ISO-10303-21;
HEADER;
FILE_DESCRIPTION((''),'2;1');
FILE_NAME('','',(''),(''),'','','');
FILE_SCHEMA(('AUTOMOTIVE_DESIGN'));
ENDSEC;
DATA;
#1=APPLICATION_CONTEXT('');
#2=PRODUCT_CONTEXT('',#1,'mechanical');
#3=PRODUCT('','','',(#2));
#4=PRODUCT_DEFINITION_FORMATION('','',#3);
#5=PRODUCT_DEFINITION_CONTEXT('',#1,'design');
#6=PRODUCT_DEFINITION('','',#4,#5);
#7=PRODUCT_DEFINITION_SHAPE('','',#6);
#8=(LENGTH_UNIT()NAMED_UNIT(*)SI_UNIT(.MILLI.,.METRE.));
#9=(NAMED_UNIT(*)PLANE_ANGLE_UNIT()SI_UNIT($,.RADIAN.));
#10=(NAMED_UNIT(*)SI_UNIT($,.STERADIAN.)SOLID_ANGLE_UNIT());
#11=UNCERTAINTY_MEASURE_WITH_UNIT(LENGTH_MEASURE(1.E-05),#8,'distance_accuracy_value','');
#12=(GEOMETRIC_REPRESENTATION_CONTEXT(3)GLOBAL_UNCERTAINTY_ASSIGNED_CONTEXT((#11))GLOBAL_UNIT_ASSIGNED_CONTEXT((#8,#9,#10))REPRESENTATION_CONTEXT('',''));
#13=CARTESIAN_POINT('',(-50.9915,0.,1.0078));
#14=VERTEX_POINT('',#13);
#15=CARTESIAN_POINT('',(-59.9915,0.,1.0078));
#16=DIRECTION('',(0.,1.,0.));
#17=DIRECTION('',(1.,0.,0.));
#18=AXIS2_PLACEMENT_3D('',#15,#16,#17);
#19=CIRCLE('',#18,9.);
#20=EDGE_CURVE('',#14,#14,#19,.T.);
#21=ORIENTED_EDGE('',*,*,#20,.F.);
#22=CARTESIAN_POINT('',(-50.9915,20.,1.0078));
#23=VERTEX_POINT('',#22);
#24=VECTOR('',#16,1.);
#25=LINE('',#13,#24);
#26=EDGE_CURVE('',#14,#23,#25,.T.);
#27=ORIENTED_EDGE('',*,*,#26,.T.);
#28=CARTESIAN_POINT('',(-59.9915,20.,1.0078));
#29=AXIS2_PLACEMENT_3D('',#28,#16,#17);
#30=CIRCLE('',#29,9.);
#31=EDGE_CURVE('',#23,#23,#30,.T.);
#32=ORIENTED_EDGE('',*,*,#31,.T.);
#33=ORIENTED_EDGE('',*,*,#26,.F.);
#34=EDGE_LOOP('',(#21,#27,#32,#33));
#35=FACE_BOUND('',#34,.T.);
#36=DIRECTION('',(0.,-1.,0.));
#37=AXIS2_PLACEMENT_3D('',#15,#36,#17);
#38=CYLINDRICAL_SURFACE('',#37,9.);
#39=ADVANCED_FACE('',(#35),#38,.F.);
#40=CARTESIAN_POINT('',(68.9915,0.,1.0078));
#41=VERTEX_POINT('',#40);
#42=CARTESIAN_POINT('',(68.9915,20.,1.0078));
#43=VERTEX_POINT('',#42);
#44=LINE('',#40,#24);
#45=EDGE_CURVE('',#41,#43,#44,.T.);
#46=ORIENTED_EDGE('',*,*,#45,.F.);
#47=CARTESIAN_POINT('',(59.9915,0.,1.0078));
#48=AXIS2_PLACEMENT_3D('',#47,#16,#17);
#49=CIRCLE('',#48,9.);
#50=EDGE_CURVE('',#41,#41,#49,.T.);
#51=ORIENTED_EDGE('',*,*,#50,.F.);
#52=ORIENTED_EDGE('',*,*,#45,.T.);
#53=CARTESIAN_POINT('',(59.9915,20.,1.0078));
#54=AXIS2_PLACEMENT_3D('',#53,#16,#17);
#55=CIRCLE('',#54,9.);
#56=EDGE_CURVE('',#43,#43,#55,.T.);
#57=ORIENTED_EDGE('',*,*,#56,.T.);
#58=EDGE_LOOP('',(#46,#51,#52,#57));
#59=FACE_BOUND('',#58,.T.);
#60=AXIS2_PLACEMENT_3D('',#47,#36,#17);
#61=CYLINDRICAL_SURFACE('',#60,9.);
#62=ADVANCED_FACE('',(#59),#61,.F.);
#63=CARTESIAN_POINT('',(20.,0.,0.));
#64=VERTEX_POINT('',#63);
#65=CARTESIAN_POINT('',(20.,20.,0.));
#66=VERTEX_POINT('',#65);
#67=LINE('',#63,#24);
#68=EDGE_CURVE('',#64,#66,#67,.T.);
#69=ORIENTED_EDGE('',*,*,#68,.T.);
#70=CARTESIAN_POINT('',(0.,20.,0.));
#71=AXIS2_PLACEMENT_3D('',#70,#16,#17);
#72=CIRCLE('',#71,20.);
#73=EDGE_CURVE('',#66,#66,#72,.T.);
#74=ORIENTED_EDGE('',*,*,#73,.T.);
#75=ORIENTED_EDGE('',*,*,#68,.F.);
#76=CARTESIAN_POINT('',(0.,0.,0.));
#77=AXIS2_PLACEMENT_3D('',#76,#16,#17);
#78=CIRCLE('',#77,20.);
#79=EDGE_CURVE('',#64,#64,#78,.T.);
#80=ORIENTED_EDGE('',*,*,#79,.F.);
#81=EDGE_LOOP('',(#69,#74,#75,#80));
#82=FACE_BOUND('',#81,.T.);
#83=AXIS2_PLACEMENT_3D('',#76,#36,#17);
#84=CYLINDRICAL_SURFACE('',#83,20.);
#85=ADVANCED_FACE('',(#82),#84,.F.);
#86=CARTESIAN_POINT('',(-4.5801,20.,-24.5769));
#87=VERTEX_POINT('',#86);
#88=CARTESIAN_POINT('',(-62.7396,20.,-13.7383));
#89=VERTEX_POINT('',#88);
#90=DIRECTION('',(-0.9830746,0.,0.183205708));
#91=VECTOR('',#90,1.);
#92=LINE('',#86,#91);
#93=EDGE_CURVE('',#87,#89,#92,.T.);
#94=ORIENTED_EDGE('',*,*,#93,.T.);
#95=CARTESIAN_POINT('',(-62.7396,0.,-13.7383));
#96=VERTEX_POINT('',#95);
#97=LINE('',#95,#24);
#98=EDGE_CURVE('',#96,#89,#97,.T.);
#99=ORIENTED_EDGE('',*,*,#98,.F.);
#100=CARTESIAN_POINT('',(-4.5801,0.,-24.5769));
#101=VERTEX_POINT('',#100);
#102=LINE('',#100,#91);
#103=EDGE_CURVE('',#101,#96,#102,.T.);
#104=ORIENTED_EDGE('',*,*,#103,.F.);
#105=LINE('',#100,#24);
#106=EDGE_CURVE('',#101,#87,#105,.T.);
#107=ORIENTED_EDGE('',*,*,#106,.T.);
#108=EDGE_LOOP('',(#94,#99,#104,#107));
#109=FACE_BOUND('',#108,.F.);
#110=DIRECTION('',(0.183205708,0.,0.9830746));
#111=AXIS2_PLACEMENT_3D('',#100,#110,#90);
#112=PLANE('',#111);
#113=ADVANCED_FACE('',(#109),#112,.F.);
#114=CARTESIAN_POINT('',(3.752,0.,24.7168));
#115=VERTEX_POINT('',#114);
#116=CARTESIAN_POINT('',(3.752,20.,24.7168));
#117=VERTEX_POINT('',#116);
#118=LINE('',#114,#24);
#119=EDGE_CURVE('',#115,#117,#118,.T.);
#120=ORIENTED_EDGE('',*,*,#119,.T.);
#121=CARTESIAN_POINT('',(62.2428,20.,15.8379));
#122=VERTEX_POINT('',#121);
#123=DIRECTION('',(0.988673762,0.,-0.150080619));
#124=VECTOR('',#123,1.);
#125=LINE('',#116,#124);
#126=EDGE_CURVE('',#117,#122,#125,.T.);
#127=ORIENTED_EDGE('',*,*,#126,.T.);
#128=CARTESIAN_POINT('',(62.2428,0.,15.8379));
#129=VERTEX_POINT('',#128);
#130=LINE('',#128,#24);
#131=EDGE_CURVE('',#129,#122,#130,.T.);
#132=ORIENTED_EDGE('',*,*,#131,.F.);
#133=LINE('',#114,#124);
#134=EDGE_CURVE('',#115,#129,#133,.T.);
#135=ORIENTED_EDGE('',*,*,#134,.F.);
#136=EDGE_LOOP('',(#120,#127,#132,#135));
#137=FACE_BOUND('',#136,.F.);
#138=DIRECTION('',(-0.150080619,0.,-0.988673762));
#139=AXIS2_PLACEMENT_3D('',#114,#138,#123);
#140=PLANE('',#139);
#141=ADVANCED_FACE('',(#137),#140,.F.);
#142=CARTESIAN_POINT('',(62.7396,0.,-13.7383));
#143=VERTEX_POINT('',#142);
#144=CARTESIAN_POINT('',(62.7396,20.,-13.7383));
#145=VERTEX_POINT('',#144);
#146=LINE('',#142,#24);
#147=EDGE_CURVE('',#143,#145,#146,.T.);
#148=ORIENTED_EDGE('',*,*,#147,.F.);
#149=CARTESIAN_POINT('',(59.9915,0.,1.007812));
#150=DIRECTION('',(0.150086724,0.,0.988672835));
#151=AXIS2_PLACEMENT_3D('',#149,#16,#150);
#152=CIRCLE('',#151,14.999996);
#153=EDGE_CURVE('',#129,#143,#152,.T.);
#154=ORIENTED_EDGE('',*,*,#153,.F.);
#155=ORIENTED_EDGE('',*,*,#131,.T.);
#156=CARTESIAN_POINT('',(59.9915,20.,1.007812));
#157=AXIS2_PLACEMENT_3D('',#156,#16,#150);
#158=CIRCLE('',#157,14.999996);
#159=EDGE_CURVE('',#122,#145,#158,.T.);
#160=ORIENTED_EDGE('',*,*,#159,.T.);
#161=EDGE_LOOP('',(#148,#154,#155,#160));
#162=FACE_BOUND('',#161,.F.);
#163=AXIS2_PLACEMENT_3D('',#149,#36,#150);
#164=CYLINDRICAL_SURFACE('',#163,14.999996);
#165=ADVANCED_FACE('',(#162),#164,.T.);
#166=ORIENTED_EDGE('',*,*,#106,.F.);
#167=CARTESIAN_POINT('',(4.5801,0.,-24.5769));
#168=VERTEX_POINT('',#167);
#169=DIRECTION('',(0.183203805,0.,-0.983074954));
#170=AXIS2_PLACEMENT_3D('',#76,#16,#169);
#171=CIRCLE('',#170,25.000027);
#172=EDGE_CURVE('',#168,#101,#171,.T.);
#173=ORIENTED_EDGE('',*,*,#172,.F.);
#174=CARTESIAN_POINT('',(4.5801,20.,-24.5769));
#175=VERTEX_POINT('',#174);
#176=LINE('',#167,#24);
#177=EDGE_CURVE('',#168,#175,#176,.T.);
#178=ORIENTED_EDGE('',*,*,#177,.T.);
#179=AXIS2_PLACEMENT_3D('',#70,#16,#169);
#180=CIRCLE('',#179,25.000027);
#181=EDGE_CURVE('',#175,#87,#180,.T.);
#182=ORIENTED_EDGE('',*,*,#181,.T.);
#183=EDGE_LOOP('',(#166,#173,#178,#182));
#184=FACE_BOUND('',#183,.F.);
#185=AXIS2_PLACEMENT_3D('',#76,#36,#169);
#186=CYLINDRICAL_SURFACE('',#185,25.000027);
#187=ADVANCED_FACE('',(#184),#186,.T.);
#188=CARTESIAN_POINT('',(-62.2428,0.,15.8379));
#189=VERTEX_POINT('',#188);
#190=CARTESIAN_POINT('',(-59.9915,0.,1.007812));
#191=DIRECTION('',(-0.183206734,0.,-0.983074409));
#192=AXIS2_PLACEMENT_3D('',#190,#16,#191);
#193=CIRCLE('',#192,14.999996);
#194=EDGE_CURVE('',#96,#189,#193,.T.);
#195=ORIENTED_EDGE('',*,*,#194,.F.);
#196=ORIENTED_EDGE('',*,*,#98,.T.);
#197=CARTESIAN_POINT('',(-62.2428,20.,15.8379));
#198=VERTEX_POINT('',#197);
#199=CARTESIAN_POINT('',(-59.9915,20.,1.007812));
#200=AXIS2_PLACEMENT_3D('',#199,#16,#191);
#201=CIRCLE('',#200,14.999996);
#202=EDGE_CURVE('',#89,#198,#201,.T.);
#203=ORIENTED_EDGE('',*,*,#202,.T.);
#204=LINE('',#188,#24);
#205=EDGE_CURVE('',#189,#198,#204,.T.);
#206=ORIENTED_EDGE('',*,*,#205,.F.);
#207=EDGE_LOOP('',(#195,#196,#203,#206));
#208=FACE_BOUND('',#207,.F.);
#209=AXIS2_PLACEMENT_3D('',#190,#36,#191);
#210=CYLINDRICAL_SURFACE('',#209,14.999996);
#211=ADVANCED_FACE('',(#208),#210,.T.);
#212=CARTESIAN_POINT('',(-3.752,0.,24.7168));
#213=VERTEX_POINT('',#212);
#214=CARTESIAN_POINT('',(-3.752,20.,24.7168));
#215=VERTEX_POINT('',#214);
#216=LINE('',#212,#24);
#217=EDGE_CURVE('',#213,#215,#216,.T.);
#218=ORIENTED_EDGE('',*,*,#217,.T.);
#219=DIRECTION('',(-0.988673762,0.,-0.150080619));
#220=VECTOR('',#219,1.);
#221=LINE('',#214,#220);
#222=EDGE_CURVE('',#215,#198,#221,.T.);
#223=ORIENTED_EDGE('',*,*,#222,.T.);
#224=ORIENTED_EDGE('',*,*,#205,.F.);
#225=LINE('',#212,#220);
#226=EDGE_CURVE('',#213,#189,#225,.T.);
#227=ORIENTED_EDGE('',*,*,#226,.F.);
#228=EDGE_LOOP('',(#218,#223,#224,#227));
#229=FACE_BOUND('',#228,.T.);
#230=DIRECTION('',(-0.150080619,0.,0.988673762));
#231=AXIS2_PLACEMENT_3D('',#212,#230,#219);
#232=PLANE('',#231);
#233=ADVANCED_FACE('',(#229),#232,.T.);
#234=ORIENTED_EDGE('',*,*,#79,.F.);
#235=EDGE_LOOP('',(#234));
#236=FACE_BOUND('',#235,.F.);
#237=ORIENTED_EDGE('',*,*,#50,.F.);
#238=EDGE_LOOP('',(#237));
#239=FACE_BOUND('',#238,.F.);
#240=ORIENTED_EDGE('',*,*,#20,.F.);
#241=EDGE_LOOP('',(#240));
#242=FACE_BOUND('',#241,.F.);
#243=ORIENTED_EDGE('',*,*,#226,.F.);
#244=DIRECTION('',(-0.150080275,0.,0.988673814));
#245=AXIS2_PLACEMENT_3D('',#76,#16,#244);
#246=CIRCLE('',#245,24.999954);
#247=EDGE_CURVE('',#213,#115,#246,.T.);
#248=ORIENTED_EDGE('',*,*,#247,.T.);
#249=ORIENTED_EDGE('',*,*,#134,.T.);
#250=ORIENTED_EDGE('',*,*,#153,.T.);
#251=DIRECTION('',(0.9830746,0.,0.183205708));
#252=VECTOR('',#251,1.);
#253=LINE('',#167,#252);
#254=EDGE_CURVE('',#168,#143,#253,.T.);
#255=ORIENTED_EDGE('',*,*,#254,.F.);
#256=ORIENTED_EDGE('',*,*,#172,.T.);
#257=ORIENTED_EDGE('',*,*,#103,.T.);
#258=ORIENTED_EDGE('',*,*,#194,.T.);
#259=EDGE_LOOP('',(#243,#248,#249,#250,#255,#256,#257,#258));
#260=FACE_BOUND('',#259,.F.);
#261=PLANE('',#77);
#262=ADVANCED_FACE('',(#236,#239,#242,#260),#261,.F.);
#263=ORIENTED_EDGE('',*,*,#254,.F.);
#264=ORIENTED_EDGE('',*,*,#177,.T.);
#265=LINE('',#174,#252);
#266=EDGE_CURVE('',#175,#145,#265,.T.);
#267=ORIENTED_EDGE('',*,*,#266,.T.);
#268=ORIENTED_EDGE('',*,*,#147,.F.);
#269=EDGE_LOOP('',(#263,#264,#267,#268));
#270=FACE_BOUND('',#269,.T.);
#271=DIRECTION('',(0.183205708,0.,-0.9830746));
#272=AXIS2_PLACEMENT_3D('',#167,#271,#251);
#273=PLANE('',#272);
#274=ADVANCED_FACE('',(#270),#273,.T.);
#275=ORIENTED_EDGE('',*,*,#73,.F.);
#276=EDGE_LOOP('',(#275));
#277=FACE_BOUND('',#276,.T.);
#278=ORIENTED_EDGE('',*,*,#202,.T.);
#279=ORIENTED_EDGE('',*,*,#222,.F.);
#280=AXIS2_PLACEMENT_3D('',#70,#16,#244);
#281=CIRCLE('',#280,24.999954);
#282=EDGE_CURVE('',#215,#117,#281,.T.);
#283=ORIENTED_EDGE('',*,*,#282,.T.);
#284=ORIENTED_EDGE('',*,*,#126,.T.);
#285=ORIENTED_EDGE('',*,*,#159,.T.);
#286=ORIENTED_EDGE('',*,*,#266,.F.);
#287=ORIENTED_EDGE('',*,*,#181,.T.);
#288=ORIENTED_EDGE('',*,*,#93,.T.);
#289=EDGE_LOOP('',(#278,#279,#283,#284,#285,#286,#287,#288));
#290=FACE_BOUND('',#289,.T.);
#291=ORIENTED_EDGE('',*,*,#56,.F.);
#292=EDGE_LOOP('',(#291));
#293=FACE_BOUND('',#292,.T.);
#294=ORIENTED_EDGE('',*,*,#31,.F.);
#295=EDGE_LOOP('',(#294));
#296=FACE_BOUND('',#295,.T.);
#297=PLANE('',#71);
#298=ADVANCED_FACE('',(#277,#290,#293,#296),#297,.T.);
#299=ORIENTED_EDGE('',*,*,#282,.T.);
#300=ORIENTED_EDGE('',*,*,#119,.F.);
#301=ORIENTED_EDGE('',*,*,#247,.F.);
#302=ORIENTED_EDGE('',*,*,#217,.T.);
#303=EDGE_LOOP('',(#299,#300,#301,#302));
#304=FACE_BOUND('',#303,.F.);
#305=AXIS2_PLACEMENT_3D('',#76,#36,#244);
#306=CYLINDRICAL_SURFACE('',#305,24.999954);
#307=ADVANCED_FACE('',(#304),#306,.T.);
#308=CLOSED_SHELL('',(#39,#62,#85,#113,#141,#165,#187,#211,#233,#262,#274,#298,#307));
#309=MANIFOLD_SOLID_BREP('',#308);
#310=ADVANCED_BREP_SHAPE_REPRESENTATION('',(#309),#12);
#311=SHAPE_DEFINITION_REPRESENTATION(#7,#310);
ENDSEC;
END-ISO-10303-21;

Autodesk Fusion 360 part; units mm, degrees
sketch "Sketch2" plane through (0, 0, 0) normal (0, 1, 0) x (1, 0, 0)
  line L0 (-75, -1.0078) -> (75, -1.0078) construction
  line L1 (3.752, -24.7168) -> (62.2428, -15.8379)
  line L2 (-3.752, -24.7168) -> (-62.2428, -15.8379)
  line L3 (-4.5801, 24.5769) -> (-62.7396, 13.7383)
  line L4 (4.5801, 24.5769) -> (62.7396, 13.7383)
  arc A0 (62.2428, -15.8379) -> (62.7396, 13.7383) centre (59.9915, -1.0078) ccw
  arc A1 (-62.7396, 13.7383) -> (-62.2428, -15.8379) centre (-59.9915, -1.0078) ccw
  arc A2 (-3.752, -24.7168) -> (3.752, -24.7168) centre (0, 0) ccw
  arc A3 (4.5801, 24.5769) -> (-4.5801, 24.5769) centre (0, 0) ccw
  circle A4 centre (0, 0) radius 20
  circle A5 centre (59.9915, -1.0078) radius 9
  circle A6 centre (-59.9915, -1.0078) radius 9
  dimension "d8" = 50
  dimension "d9" = 30
  dimension "d10" = 30
  dimension "d11" = 60
  dimension "d12" = 60
  dimension "d13" = 40
  dimension "d14" = 18
  dimension "d15" = 18
extrude "Extrude1" add sketch "Sketch2" along normal blind 20
